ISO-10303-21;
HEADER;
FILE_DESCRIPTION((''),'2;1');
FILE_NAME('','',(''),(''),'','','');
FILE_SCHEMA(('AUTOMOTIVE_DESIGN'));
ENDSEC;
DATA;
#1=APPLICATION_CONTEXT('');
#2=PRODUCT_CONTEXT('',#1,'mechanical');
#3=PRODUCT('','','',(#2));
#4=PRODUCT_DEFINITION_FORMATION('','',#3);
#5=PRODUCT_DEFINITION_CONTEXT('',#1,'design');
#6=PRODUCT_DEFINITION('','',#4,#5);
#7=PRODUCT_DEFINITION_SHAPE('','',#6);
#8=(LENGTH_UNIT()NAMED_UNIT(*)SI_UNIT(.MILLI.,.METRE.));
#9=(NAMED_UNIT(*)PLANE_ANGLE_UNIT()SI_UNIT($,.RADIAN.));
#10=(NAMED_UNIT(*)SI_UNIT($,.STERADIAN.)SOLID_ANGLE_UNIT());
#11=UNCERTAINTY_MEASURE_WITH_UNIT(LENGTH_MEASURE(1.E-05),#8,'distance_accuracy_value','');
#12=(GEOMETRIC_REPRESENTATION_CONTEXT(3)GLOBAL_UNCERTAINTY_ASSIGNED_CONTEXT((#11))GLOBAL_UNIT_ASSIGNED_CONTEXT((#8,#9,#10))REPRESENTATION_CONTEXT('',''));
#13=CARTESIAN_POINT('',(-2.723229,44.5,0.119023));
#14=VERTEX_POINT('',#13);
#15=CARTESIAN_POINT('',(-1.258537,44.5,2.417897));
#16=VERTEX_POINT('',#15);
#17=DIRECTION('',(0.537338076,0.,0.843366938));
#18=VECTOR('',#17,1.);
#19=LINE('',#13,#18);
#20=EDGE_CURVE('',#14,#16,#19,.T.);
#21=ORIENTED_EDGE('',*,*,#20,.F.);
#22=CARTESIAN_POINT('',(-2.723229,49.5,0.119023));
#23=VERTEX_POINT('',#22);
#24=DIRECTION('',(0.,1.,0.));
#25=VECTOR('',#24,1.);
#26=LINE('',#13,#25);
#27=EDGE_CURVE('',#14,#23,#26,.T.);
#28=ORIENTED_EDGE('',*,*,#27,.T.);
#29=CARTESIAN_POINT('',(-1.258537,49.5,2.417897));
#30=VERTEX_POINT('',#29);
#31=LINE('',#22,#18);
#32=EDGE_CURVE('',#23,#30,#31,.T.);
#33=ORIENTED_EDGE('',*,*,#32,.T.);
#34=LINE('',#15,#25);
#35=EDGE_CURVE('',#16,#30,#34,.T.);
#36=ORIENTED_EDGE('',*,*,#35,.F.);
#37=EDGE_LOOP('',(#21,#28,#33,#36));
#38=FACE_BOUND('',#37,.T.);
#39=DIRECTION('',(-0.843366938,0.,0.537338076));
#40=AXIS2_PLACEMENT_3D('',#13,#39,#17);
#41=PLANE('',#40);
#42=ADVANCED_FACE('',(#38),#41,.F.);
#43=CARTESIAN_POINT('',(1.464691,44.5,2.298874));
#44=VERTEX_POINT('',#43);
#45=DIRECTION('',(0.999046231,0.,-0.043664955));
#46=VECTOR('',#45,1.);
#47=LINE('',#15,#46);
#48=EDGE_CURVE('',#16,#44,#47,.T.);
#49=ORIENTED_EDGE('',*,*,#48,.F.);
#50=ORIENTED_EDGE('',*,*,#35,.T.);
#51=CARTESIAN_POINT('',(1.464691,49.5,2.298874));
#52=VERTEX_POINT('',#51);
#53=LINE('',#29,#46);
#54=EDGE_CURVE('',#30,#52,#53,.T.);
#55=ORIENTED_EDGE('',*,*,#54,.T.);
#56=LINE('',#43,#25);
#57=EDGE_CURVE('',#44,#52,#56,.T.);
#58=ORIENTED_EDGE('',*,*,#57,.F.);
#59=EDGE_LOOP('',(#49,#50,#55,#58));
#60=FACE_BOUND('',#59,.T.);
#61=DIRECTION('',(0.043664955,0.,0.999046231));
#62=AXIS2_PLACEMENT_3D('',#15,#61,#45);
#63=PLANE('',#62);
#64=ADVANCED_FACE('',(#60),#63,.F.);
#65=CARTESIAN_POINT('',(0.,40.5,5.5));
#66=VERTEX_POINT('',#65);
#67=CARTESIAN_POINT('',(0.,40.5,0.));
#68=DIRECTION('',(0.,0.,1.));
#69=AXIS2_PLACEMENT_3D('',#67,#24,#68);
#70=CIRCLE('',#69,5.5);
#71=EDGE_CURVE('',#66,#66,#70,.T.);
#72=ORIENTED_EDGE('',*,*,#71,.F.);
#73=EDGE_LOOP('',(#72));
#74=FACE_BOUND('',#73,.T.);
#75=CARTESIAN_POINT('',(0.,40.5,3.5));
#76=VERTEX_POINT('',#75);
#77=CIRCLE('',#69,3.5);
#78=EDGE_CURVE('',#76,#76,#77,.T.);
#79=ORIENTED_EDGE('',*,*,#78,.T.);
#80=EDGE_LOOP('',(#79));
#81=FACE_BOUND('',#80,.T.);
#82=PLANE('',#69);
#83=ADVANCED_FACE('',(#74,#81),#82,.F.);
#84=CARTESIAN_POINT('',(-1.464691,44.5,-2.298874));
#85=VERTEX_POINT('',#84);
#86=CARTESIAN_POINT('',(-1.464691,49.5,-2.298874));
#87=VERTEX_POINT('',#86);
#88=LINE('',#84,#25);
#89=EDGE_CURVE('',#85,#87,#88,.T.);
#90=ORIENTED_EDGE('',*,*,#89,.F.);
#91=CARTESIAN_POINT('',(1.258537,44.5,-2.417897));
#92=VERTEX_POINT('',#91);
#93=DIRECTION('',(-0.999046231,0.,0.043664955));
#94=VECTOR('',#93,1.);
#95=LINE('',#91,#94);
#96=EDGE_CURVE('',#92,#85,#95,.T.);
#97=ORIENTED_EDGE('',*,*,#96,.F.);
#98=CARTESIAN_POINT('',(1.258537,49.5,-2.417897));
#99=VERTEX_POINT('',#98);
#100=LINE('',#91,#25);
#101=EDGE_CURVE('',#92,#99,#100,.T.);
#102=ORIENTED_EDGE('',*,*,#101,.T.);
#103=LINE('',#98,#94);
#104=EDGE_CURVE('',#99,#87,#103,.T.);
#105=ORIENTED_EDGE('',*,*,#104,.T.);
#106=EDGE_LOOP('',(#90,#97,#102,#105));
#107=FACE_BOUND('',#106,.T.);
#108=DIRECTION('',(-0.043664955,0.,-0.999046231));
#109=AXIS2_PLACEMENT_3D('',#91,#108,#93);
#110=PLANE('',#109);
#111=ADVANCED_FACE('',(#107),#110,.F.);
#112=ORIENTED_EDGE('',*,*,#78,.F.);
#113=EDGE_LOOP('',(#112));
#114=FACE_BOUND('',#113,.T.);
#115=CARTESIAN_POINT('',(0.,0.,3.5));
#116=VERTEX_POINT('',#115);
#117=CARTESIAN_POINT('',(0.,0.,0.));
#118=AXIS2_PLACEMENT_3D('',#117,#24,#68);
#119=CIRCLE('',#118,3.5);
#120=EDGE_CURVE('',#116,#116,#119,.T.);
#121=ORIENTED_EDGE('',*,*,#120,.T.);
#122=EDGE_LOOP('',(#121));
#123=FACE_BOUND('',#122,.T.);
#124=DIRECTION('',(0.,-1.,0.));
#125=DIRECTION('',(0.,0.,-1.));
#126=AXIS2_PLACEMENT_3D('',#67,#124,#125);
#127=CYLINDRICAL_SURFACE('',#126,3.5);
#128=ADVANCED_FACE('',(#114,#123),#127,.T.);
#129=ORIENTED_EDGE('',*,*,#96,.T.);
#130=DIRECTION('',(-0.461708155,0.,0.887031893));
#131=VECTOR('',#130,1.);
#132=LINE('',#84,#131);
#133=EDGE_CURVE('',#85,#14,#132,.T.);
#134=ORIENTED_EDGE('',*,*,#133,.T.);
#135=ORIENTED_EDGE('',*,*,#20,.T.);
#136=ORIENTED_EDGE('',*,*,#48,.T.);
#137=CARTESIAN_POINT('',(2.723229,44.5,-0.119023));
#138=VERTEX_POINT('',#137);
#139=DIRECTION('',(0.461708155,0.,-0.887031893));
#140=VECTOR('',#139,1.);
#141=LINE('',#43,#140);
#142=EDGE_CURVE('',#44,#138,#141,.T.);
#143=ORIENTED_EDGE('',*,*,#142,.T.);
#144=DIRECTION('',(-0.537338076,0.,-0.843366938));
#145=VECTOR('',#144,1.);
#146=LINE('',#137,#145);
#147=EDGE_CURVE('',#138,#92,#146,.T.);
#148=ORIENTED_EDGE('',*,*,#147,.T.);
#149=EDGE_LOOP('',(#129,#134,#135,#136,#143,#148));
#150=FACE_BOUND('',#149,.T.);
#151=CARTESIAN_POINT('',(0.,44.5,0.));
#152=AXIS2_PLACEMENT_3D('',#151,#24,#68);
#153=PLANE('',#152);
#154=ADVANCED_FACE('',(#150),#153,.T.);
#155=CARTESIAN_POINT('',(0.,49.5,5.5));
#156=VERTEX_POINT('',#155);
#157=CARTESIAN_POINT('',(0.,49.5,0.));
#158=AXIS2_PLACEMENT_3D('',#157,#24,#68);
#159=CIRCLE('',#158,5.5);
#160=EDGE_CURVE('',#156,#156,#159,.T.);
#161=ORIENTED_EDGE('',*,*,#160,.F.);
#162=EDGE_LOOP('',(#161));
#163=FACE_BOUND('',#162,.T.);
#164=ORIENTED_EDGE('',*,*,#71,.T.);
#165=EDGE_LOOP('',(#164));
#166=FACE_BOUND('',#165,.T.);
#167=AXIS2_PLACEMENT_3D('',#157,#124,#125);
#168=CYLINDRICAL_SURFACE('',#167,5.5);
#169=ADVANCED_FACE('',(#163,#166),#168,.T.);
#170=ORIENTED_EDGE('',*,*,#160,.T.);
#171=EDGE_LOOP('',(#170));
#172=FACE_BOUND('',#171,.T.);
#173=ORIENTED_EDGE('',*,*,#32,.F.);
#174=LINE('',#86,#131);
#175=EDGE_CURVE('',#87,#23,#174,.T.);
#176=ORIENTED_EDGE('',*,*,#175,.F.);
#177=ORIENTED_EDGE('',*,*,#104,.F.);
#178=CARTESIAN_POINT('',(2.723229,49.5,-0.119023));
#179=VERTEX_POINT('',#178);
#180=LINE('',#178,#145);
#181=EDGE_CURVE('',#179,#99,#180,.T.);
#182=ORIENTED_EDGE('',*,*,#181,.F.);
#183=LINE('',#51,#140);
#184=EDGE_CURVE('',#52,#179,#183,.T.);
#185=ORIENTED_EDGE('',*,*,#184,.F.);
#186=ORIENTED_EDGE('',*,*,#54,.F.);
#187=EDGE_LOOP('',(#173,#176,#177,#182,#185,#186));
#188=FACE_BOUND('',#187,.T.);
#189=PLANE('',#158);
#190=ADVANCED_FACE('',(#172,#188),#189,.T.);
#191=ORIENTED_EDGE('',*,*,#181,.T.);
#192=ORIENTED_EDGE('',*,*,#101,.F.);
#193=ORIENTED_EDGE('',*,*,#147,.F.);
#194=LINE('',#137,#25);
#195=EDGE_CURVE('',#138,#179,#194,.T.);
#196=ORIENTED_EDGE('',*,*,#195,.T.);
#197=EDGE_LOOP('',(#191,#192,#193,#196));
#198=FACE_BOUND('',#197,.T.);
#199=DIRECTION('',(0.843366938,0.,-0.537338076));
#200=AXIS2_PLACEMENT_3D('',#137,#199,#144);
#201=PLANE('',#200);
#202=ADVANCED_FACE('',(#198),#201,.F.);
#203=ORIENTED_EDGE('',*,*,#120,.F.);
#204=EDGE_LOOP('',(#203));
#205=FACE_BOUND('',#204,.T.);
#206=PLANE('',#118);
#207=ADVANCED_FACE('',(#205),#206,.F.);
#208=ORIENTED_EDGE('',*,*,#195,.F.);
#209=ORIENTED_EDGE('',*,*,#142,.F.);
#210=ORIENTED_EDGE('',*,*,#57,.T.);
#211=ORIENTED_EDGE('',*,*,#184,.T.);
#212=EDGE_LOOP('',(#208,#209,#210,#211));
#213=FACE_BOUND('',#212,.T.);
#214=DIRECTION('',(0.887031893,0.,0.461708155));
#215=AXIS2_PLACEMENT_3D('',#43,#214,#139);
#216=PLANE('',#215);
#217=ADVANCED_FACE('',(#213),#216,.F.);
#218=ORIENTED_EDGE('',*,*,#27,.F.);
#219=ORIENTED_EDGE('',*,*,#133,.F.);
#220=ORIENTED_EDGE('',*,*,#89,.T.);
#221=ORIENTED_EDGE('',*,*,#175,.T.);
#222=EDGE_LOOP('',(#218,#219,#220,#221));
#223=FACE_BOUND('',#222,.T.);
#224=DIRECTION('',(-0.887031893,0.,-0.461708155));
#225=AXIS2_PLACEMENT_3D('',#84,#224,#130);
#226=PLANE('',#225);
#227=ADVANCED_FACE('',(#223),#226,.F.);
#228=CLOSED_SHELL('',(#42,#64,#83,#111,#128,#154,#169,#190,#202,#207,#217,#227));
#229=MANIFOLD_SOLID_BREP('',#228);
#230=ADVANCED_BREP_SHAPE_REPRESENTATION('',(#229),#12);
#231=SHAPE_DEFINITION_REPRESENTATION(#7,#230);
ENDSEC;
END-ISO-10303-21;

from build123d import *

# Parameters (mm, degrees)
ESBO_O1_R                = 3.5
RESSALTO_EXTRUS_O1_DEPTH = 40.5
ESBO_O2_R                = 5.5
RESSALTO_EXTRUS_O2_DEPTH = 9
CORTE_EXTRUS_O1_DEPTH    = 5


with BuildPart() as part:
    # Esboço1 → Ressalto-extrusão1 (new body)
    with BuildSketch(Plane(origin=(0, 0, 0), x_dir=(1, 0, 0), z_dir=(0, 1, 0))):
        Circle(ESBO_O1_R)
    extrude(amount=RESSALTO_EXTRUS_O1_DEPTH)

    # Esboço2 → Ressalto-extrusão2 (add)
    with BuildSketch(Plane(origin=(0, 40.5, 0), x_dir=(1, 0, 0), z_dir=(0, 1, 0))):
        Circle(ESBO_O2_R)
    extrude(amount=RESSALTO_EXTRUS_O2_DEPTH)

    # Esboço3 → Corte-extrusão1 (cut)
    with BuildSketch(Plane(origin=(0, 49.5, 0), x_dir=(1, 0, 0), z_dir=(0, 1, 0))):
        Polygon((1.258537272, 2.417896859), (-1.464691468, 2.298873679), (-2.72322874, -0.11902318), (-1.258537272, -2.417896859), (1.464691468, -2.298873679), (2.72322874, 0.11902318), align=None)
    extrude(amount=-CORTE_EXTRUS_O1_DEPTH, mode=Mode.SUBTRACT)


solid = part.part
